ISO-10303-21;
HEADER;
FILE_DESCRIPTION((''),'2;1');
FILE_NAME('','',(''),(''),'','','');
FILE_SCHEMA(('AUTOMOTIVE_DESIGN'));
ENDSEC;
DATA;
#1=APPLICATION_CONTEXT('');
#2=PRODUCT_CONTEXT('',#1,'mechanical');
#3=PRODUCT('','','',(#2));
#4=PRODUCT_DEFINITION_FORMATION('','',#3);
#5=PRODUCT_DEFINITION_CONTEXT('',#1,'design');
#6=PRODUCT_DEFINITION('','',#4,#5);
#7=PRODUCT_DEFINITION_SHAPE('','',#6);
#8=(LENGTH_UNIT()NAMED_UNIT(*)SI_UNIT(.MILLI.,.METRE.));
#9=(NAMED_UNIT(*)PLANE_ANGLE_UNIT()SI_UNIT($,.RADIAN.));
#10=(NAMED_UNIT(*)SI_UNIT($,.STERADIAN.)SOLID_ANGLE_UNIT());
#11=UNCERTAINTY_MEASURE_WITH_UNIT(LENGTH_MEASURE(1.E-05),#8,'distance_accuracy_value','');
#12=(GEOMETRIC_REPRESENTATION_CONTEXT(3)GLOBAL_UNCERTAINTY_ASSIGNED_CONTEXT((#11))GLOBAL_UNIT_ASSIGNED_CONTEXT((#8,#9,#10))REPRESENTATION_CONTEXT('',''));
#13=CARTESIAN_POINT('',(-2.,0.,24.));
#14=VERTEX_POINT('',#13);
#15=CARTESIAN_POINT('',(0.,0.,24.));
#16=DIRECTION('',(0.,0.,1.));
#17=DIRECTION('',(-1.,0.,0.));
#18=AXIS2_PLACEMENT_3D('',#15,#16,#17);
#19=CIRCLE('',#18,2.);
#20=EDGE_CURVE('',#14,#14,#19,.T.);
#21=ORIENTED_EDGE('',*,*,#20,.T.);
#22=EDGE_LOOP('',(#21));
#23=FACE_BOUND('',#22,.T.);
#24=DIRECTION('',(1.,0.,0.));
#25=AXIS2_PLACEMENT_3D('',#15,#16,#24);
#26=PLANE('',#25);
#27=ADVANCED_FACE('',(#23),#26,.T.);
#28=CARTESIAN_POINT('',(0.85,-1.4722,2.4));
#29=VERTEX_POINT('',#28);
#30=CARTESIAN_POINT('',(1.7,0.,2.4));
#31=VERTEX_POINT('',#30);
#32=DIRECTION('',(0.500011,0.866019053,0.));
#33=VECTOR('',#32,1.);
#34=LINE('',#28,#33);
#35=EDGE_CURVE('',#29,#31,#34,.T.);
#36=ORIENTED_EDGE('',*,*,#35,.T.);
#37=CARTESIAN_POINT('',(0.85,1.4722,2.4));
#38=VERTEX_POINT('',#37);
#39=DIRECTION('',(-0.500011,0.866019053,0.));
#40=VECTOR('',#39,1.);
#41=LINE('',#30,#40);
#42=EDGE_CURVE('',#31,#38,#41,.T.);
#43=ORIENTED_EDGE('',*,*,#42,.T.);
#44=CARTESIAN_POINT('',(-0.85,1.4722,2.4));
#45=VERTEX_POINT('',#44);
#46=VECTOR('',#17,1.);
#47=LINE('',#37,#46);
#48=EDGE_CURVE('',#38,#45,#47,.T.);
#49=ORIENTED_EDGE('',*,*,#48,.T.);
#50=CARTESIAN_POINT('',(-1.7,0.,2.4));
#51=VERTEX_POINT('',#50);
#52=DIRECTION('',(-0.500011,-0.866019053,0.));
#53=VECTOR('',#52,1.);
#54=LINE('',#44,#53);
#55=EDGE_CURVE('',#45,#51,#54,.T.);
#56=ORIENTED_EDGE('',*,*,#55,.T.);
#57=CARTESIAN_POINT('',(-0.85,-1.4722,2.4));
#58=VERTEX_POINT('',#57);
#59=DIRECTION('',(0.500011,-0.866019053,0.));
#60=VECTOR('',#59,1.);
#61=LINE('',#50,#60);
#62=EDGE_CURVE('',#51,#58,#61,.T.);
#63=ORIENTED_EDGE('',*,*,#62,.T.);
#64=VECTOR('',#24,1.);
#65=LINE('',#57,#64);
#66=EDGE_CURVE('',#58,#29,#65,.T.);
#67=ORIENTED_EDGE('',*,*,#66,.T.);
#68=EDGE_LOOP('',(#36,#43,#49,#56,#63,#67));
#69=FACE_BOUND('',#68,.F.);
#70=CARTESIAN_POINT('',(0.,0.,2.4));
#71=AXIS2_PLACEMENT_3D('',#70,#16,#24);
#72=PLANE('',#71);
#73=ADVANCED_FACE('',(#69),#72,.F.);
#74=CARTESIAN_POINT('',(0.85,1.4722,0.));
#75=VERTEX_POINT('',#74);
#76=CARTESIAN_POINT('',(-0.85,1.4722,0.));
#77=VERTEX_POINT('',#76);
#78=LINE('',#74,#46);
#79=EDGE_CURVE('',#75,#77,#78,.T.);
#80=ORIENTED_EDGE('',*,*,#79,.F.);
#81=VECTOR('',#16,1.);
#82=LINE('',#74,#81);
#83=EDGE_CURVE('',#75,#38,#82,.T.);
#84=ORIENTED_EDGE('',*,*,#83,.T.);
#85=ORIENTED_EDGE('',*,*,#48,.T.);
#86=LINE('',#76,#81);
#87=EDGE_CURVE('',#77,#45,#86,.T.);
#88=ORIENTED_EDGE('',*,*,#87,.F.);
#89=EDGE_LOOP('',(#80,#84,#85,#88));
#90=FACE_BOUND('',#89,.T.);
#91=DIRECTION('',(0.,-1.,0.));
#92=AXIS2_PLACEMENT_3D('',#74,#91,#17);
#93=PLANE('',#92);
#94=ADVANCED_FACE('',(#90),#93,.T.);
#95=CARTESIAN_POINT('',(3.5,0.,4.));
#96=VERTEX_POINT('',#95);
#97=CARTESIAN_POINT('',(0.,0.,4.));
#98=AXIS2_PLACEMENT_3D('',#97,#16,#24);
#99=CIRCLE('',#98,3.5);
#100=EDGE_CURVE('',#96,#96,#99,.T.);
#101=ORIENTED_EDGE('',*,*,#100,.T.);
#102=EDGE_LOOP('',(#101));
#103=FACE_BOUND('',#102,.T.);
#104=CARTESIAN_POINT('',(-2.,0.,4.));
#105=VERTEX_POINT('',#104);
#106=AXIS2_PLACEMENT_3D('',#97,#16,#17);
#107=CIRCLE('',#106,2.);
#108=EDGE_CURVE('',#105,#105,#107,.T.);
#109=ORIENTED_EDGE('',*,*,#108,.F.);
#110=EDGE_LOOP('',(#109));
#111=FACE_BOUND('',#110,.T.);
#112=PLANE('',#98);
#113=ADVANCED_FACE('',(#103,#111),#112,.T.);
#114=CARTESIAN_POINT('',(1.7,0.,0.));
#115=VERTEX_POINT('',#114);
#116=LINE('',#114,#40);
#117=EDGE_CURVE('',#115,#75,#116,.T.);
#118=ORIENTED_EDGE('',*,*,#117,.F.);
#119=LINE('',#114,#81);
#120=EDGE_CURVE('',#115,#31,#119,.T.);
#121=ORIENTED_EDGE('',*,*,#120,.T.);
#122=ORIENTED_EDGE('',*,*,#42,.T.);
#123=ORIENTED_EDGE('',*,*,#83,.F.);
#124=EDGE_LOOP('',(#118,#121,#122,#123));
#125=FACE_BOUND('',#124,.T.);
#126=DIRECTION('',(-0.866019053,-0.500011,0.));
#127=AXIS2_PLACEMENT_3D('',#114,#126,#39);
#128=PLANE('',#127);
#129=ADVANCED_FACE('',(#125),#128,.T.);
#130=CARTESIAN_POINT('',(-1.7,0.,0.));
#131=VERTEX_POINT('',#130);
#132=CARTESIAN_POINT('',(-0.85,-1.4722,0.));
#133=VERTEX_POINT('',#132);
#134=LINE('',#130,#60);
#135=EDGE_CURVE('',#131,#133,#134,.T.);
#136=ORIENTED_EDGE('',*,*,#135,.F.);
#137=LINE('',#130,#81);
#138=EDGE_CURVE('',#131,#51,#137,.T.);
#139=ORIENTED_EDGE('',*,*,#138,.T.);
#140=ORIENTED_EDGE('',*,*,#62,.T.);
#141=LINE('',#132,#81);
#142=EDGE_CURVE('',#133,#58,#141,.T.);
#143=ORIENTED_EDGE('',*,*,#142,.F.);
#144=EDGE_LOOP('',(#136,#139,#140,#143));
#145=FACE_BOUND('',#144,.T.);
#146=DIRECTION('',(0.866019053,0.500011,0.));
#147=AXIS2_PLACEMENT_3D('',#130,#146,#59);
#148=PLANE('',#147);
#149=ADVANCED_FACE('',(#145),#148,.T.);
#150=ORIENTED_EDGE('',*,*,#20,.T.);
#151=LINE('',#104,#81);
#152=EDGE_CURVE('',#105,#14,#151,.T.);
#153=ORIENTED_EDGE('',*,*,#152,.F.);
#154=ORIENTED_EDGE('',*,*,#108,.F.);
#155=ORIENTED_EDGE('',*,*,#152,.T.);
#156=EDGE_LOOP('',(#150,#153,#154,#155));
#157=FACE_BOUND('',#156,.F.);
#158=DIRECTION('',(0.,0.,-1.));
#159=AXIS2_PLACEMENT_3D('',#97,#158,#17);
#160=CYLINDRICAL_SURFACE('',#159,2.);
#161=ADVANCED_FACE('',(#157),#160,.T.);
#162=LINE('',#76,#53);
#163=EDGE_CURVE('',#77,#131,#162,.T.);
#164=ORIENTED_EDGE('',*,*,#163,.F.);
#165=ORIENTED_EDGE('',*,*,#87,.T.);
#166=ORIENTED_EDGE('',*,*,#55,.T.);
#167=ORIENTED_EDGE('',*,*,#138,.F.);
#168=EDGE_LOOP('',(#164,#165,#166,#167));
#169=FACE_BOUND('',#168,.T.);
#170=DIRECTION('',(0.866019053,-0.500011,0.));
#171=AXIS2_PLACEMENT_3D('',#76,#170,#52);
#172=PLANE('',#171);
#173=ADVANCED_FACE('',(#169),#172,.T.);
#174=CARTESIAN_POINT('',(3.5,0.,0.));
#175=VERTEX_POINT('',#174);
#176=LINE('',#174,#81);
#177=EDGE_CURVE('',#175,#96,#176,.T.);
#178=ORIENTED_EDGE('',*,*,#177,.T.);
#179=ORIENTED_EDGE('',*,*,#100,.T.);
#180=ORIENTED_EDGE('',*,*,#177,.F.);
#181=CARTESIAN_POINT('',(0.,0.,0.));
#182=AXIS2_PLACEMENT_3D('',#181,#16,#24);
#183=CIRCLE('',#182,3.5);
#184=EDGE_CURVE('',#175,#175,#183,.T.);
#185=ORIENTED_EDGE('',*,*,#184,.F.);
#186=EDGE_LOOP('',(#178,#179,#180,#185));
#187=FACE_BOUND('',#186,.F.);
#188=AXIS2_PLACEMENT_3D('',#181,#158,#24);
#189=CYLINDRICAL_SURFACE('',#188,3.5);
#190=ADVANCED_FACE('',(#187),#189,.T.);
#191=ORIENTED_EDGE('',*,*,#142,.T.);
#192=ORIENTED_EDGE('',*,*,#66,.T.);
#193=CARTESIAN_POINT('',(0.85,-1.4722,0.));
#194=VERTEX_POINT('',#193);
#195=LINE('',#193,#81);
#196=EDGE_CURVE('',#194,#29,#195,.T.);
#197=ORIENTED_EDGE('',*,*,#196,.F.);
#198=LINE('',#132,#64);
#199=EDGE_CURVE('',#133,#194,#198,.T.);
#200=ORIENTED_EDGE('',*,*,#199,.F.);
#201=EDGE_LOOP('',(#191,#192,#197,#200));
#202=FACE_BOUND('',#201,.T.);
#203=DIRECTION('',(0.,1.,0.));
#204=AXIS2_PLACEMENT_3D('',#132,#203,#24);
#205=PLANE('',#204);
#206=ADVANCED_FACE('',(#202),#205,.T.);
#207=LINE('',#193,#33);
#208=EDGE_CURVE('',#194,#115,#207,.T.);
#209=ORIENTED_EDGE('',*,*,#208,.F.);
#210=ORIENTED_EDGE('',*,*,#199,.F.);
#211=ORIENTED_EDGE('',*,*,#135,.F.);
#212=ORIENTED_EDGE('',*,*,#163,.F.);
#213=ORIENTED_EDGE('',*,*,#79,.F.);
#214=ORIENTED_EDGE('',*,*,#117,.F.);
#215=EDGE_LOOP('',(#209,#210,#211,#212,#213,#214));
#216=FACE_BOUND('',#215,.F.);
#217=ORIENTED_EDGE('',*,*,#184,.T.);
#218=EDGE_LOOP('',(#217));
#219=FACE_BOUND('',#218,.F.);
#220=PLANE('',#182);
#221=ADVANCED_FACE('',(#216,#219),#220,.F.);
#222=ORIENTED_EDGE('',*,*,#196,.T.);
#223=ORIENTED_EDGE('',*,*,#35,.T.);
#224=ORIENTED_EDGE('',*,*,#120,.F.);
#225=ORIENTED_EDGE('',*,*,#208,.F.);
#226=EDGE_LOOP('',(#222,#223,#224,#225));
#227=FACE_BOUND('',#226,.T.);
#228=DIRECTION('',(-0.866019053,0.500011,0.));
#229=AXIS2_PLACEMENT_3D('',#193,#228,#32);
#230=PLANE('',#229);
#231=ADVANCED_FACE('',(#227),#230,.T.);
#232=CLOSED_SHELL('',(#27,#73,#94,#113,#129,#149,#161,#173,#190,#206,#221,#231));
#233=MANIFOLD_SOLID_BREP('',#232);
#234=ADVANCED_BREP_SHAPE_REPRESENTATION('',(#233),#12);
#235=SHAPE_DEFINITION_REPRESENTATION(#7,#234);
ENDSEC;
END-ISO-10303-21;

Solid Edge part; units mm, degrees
sketch "Sketch1" plane through (0, 0, 0) normal (0, 0, 1) x (1, 0, 0)
  circle A0 centre (0, 0) radius 3.5
extrude "Protrusion1" add sketch "Sketch1" along normal blind 4
sketch "Sketch2" plane through (0, 0, 0) normal (0, 0, -1) x (1, 0, 0)
  line L0 (0.85, 1.4722) -> (1.7, 0)
  line L1 (1.7, 0) -> (0.85, -1.4722)
  line L2 (0.85, -1.4722) -> (-0.85, -1.4722)
  line L3 (-0.85, -1.4722) -> (-1.7, 0)
  line L4 (-1.7, 0) -> (-0.85, 1.4722)
  line L5 (-0.85, 1.4722) -> (0.85, 1.4722)
extrude "ExtrudedCutout_1" cut sketch "Sketch2" against normal blind 2.4
sketch "Sketch3" plane through (0, 0, 4) normal (0, 0, 1) x (-1, 0, 0)
  circle A0 centre (0, 0) radius 2
extrude "ExtrudedProtrusion_2" add sketch "Sketch3" along normal blind 20
cosmetic_thread "Thread_1" size "M4" thread depth 20
